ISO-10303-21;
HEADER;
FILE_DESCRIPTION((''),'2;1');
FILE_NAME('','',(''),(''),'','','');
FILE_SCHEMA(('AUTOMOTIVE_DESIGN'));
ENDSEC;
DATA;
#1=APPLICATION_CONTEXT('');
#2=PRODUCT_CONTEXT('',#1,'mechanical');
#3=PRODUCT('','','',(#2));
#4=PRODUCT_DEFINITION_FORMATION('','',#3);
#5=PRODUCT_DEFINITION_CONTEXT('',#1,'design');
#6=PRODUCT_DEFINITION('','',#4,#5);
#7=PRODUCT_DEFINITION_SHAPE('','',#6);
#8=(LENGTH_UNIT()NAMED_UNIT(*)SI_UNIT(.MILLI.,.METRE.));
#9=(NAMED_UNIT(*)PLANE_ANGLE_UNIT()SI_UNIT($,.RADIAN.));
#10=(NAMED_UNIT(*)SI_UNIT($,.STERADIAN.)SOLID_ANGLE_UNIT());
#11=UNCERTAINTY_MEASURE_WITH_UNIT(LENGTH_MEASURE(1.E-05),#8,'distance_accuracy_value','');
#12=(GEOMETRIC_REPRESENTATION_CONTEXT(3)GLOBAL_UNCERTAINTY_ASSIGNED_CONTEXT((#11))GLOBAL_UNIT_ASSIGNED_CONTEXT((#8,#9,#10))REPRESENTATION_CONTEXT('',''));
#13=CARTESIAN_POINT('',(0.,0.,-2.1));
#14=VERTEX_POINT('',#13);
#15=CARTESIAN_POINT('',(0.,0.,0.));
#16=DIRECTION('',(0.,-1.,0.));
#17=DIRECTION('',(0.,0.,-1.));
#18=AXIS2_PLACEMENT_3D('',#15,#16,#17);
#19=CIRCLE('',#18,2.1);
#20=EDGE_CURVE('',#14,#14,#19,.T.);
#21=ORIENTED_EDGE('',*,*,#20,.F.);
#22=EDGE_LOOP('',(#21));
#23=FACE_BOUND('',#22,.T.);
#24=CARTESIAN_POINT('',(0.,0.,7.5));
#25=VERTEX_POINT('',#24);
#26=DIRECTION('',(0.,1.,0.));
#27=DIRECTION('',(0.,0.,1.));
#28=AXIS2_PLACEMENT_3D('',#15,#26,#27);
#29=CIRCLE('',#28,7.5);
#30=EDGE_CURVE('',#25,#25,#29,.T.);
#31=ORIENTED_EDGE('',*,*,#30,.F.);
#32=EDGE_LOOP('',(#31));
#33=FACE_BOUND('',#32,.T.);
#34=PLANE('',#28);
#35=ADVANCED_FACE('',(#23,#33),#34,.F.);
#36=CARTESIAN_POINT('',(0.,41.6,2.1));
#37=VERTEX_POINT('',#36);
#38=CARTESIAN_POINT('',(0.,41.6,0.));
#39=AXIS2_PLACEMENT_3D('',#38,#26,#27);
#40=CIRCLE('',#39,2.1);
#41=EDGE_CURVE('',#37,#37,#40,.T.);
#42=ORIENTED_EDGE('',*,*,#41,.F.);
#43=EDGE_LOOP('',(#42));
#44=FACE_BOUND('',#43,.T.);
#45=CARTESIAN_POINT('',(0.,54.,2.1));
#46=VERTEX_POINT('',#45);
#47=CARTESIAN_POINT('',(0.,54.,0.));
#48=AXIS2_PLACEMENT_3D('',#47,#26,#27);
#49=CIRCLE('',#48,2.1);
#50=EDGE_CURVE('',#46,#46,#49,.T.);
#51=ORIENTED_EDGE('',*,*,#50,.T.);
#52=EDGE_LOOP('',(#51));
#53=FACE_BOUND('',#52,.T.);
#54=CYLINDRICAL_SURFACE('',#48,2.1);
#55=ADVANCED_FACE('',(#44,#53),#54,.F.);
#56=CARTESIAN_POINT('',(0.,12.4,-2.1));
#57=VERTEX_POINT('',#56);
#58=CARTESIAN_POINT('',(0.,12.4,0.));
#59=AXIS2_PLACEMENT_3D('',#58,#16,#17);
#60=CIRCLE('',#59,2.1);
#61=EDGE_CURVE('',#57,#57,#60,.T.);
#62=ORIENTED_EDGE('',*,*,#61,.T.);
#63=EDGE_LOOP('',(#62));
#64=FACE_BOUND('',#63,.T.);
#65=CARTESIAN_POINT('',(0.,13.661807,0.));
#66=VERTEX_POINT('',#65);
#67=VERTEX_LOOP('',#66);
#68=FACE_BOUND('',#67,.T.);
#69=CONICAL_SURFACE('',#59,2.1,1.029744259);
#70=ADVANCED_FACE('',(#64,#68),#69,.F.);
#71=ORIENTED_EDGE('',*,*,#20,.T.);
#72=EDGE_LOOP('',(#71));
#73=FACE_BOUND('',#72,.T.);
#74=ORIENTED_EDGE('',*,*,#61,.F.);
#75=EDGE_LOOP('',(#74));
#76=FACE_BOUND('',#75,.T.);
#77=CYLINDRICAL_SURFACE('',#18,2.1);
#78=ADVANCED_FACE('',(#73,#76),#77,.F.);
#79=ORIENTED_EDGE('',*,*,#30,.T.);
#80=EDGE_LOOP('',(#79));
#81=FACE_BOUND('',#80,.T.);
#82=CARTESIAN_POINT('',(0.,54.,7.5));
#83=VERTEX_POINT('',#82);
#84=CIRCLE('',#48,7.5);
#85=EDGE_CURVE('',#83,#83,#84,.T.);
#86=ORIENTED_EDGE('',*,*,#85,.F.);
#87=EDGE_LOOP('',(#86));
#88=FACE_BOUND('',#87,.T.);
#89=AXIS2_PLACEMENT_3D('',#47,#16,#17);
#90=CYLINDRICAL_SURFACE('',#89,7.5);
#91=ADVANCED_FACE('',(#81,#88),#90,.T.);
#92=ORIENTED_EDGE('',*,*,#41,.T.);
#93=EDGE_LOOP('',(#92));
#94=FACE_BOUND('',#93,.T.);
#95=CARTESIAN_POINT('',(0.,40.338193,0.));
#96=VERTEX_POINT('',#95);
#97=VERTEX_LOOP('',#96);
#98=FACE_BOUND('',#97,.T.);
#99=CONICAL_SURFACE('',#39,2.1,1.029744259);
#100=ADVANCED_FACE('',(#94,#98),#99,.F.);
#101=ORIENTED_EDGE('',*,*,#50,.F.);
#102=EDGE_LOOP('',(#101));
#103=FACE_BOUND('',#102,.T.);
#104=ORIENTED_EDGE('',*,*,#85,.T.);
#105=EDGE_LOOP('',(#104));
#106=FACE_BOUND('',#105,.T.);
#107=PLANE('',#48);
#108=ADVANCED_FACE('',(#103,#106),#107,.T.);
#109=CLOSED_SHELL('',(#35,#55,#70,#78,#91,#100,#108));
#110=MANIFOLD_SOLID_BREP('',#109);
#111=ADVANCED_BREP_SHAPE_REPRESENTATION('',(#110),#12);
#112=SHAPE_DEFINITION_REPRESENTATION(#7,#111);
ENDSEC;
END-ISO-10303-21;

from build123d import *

# Parameters (mm, degrees)
SKETCH1_R           = 7.5
BOSS_EXTRUDE1_DEPTH = 54


with BuildPart() as part:
    # Sketch1 → Boss-Extrude1 (new body)
    with BuildSketch(Plane(origin=(0, 0, 0), x_dir=(1, 0, 0), z_dir=(0, 1, 0))):
        with Locations(Location((0, 0, 0), (0, 0, 270))):
            Circle(SKETCH1_R)
    extrude(amount=BOSS_EXTRUDE1_DEPTH)

    # Sketch3 → M5 Tapped Hole1 (revolve, cut)
    with BuildSketch(Plane(origin=(0, 54, 0), x_dir=(0, 0, 1), z_dir=(1, 0, 0))):
        Polygon((0, 0), (0, 13.6618073), (2.1, 12.4), (2.1, 0), align=None)
    m5_tapped_hole1 = revolve(axis=Axis((0, 60.35, 0), (0, -1, 0)), mode=Mode.SUBTRACT)

    # Mirror1: M5 Tapped Hole1 across plane
    add(m5_tapped_hole1.mirror(Plane.ZX.offset(27)), mode=Mode.SUBTRACT)


solid = part.part
